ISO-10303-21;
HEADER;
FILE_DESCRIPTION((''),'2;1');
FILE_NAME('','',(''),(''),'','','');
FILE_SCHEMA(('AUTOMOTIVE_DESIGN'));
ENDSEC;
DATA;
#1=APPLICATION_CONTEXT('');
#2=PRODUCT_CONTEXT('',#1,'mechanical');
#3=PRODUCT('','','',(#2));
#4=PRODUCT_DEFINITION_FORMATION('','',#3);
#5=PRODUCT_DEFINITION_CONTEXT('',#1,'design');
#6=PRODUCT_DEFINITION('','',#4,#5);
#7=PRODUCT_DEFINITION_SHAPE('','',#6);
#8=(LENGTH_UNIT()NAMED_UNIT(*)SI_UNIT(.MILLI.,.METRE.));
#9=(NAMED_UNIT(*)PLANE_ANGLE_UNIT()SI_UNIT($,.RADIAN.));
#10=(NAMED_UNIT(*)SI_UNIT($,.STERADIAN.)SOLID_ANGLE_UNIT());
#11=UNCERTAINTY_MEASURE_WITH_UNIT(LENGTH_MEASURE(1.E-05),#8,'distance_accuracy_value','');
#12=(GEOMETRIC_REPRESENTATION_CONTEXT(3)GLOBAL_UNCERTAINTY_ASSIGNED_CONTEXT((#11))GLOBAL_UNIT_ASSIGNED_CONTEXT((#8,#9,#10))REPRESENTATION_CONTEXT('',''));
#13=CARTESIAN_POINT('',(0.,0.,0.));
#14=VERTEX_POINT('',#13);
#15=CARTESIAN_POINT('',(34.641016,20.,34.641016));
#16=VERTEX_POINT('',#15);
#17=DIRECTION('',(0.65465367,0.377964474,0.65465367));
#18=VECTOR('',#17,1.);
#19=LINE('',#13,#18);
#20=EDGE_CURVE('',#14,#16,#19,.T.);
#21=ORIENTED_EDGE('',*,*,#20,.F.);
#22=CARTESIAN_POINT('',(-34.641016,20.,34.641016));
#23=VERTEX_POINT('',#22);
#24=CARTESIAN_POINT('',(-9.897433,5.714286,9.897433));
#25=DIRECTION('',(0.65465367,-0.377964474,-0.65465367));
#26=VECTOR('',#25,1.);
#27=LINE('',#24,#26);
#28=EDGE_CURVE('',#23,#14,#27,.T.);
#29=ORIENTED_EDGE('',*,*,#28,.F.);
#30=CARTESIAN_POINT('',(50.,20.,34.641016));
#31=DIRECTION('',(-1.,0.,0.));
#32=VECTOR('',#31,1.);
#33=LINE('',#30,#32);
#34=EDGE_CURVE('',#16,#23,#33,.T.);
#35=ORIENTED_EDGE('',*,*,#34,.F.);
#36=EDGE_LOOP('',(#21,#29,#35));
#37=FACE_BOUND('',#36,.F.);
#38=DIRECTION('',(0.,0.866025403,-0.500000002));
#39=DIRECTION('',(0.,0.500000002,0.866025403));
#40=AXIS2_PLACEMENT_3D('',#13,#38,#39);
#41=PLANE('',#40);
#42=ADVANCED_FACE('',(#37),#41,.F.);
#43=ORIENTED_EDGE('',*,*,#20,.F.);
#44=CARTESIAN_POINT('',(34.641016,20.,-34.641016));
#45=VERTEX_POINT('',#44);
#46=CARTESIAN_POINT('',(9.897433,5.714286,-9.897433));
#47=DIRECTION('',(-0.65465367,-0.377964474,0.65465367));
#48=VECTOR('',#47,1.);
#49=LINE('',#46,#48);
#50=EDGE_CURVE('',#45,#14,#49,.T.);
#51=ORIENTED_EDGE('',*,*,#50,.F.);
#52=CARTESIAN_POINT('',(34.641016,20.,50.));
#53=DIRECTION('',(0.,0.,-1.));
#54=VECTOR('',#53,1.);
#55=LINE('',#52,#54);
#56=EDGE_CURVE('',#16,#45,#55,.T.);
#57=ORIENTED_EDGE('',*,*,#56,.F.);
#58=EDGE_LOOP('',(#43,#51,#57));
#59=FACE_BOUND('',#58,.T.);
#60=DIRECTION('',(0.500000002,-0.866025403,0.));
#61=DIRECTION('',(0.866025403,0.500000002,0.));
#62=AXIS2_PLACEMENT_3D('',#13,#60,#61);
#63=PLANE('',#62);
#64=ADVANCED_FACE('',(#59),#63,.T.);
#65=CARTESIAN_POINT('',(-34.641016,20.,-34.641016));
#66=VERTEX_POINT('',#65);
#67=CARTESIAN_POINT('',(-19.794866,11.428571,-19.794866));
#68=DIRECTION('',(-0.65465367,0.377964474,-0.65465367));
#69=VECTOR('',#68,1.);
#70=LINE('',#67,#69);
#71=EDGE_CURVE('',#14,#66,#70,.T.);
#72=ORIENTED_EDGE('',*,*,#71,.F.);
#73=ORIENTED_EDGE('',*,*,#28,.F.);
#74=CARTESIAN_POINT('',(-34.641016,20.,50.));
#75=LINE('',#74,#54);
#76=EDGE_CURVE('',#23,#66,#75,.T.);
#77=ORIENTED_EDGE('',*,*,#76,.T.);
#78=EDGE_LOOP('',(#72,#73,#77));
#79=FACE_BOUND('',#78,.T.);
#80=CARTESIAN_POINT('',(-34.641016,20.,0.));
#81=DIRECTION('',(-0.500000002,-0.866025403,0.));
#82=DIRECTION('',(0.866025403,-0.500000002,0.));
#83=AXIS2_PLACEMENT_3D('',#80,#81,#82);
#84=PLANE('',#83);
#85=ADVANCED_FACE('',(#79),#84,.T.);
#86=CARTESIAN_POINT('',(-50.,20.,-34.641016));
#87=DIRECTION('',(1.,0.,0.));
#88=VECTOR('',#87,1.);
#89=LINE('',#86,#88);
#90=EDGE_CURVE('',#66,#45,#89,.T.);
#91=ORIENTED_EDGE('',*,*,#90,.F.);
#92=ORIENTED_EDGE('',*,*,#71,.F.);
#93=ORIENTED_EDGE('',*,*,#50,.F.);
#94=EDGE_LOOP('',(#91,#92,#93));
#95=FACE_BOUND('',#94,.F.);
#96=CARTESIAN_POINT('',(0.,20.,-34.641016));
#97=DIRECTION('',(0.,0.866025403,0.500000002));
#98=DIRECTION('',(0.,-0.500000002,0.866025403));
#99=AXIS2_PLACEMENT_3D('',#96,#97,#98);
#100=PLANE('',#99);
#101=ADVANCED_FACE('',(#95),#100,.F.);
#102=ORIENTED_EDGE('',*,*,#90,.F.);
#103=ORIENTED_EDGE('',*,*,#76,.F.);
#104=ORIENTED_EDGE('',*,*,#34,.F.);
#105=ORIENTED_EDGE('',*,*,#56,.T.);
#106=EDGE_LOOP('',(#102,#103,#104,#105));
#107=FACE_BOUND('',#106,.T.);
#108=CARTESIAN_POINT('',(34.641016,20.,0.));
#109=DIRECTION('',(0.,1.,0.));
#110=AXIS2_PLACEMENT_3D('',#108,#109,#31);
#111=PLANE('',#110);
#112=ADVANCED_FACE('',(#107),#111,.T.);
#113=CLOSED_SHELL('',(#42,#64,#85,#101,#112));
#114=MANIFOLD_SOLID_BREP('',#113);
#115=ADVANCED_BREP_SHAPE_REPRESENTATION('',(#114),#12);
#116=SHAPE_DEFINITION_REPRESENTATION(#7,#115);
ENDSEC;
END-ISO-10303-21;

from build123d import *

# Parameters (mm, degrees)
F1_DEPTH = 50
F2_W     = 100
F2_H     = 100
F3_DEPTH = 50


with BuildPart() as f1:
    # F0 (on Top) → F1 (new body, symmetric)
    with BuildSketch(Plane.XY):
        Polygon((-34.641016, 20), (0, 0), (34.641016, 20), align=None)
    extrude(amount=F1_DEPTH, both=True)

    # F2 (on Right) → F3 (cut, symmetric)
    with BuildSketch(Plane.YZ):
        Rectangle(F2_W, F2_H)
        Polygon((20, -34.641016), (0, 0), (20, 34.641016), align=None, mode=Mode.SUBTRACT)
    extrude(amount=F3_DEPTH, both=True, mode=Mode.SUBTRACT)


solid = f1.part
